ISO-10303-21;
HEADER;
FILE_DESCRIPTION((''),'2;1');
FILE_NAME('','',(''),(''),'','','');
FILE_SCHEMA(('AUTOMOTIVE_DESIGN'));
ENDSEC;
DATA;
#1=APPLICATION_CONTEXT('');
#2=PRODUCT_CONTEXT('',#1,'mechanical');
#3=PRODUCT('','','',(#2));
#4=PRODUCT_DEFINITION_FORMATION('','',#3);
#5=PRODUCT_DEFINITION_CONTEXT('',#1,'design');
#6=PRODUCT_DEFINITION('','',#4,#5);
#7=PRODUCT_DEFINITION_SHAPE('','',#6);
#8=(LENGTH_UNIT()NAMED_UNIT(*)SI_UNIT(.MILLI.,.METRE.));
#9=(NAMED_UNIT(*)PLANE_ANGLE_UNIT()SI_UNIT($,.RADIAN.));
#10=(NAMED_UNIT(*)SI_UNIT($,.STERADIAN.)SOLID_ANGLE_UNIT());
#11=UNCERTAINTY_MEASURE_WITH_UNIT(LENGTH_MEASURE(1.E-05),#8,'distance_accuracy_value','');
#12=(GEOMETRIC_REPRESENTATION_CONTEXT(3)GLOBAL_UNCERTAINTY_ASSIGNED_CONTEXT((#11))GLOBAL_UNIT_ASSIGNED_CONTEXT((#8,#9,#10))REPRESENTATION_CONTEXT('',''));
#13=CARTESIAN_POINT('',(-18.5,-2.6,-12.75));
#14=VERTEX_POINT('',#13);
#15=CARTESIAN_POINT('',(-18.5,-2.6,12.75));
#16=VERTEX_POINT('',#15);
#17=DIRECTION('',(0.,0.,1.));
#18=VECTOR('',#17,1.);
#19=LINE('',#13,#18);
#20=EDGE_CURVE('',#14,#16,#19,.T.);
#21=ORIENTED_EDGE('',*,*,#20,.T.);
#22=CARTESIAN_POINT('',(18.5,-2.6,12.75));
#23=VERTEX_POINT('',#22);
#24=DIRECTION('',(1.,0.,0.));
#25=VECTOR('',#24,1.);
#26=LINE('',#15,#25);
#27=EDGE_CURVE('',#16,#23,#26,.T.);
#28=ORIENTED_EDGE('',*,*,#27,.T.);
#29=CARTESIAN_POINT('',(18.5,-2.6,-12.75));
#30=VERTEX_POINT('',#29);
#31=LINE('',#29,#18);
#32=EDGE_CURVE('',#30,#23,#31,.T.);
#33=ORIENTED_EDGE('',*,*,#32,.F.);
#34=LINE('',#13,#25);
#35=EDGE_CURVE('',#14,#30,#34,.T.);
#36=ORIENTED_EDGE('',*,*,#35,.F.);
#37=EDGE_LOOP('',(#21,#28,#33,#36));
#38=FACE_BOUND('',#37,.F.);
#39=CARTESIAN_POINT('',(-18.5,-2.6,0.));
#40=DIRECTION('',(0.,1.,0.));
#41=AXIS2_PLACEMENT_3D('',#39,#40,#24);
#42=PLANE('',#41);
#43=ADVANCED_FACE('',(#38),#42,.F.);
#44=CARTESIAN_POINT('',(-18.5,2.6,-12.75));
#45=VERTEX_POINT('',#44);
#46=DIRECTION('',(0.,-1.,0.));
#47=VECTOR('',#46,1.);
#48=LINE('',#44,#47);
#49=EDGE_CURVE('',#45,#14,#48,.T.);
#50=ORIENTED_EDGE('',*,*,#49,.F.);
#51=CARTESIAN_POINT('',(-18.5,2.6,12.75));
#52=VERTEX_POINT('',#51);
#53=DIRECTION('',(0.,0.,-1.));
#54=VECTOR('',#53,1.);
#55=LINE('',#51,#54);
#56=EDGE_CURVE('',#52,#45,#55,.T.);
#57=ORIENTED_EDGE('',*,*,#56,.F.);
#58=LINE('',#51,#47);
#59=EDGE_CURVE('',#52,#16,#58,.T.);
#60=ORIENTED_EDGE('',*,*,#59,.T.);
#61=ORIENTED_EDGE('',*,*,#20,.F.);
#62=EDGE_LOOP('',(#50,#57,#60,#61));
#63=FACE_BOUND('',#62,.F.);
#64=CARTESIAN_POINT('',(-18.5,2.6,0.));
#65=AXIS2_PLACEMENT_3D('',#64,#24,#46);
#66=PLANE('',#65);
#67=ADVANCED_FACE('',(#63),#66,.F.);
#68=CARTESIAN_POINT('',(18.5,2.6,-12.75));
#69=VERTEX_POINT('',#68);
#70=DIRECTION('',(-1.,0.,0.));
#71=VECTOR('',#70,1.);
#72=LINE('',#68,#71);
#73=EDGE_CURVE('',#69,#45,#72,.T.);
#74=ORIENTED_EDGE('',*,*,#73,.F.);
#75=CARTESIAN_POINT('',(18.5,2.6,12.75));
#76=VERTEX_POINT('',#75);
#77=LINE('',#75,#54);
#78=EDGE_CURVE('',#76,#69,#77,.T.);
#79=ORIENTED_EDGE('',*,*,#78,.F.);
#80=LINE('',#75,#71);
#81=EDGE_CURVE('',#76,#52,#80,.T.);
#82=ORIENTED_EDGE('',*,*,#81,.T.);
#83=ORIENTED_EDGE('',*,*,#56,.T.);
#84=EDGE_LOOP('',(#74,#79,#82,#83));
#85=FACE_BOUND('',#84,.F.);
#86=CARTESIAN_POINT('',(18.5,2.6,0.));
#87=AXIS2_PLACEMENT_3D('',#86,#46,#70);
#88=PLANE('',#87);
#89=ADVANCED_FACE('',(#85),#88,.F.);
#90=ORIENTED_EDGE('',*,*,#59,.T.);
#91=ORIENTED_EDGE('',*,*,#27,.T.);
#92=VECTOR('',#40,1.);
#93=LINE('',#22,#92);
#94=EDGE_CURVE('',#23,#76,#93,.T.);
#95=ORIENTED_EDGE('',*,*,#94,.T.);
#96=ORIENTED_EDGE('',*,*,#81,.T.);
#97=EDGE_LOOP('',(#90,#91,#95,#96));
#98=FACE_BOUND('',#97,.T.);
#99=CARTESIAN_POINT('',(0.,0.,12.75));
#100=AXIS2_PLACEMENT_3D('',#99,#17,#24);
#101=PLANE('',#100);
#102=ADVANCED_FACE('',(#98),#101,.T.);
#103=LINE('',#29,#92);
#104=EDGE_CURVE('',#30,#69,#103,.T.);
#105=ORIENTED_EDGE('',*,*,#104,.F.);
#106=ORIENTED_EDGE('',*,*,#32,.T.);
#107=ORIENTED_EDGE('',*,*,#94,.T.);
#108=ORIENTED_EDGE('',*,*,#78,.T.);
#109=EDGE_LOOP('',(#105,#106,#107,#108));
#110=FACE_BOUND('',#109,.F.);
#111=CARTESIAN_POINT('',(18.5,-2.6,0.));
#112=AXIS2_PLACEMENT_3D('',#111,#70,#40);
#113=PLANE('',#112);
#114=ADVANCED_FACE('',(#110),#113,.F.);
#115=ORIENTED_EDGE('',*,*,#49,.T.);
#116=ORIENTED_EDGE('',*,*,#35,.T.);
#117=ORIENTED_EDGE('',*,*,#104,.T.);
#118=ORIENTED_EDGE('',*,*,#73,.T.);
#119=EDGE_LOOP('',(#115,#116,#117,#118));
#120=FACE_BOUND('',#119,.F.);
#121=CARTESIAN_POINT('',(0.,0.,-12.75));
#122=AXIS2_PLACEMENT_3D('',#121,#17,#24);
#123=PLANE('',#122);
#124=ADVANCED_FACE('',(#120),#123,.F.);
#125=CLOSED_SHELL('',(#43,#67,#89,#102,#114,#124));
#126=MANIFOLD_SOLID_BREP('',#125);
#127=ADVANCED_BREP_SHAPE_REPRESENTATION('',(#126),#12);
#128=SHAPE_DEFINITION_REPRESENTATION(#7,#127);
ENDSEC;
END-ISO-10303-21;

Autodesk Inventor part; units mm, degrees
ref_plane "YZ Plane" through (0, 0, 0) normal (1, 0, 0) x (0, 1, 0)
ref_plane "XZ Plane" through (0, 0, 0) normal (0, 1, 0) x (-1, 0, 0)
ref_plane "XY Plane" through (0, 0, 0) normal (0, 0, 1) x (1, 0, 0)
sketch "Sketch1" plane through (0, 0, 0) normal (0, 0, 1) x (1, 0, 0)
  line L0 (-18.5, -2.6) -> (18.5, -2.6)
  line L1 (18.5, -2.6) -> (18.5, 2.6)
  line L2 (18.5, 2.6) -> (-18.5, 2.6)
  line L3 (-18.5, 2.6) -> (-18.5, -2.6)
  line L4 (-18.5, -2.6) -> (18.5, 2.6) construction
  line L5 (18.5, -2.6) -> (-18.5, 2.6) construction
  point P0 (0, 0)
  dimension "d0" = 37
  dimension "d1" = 5.2
extrude "Extrusion1" add sketch "Sketch1" along normal mid plane 25.5
properties part number "Battery"
